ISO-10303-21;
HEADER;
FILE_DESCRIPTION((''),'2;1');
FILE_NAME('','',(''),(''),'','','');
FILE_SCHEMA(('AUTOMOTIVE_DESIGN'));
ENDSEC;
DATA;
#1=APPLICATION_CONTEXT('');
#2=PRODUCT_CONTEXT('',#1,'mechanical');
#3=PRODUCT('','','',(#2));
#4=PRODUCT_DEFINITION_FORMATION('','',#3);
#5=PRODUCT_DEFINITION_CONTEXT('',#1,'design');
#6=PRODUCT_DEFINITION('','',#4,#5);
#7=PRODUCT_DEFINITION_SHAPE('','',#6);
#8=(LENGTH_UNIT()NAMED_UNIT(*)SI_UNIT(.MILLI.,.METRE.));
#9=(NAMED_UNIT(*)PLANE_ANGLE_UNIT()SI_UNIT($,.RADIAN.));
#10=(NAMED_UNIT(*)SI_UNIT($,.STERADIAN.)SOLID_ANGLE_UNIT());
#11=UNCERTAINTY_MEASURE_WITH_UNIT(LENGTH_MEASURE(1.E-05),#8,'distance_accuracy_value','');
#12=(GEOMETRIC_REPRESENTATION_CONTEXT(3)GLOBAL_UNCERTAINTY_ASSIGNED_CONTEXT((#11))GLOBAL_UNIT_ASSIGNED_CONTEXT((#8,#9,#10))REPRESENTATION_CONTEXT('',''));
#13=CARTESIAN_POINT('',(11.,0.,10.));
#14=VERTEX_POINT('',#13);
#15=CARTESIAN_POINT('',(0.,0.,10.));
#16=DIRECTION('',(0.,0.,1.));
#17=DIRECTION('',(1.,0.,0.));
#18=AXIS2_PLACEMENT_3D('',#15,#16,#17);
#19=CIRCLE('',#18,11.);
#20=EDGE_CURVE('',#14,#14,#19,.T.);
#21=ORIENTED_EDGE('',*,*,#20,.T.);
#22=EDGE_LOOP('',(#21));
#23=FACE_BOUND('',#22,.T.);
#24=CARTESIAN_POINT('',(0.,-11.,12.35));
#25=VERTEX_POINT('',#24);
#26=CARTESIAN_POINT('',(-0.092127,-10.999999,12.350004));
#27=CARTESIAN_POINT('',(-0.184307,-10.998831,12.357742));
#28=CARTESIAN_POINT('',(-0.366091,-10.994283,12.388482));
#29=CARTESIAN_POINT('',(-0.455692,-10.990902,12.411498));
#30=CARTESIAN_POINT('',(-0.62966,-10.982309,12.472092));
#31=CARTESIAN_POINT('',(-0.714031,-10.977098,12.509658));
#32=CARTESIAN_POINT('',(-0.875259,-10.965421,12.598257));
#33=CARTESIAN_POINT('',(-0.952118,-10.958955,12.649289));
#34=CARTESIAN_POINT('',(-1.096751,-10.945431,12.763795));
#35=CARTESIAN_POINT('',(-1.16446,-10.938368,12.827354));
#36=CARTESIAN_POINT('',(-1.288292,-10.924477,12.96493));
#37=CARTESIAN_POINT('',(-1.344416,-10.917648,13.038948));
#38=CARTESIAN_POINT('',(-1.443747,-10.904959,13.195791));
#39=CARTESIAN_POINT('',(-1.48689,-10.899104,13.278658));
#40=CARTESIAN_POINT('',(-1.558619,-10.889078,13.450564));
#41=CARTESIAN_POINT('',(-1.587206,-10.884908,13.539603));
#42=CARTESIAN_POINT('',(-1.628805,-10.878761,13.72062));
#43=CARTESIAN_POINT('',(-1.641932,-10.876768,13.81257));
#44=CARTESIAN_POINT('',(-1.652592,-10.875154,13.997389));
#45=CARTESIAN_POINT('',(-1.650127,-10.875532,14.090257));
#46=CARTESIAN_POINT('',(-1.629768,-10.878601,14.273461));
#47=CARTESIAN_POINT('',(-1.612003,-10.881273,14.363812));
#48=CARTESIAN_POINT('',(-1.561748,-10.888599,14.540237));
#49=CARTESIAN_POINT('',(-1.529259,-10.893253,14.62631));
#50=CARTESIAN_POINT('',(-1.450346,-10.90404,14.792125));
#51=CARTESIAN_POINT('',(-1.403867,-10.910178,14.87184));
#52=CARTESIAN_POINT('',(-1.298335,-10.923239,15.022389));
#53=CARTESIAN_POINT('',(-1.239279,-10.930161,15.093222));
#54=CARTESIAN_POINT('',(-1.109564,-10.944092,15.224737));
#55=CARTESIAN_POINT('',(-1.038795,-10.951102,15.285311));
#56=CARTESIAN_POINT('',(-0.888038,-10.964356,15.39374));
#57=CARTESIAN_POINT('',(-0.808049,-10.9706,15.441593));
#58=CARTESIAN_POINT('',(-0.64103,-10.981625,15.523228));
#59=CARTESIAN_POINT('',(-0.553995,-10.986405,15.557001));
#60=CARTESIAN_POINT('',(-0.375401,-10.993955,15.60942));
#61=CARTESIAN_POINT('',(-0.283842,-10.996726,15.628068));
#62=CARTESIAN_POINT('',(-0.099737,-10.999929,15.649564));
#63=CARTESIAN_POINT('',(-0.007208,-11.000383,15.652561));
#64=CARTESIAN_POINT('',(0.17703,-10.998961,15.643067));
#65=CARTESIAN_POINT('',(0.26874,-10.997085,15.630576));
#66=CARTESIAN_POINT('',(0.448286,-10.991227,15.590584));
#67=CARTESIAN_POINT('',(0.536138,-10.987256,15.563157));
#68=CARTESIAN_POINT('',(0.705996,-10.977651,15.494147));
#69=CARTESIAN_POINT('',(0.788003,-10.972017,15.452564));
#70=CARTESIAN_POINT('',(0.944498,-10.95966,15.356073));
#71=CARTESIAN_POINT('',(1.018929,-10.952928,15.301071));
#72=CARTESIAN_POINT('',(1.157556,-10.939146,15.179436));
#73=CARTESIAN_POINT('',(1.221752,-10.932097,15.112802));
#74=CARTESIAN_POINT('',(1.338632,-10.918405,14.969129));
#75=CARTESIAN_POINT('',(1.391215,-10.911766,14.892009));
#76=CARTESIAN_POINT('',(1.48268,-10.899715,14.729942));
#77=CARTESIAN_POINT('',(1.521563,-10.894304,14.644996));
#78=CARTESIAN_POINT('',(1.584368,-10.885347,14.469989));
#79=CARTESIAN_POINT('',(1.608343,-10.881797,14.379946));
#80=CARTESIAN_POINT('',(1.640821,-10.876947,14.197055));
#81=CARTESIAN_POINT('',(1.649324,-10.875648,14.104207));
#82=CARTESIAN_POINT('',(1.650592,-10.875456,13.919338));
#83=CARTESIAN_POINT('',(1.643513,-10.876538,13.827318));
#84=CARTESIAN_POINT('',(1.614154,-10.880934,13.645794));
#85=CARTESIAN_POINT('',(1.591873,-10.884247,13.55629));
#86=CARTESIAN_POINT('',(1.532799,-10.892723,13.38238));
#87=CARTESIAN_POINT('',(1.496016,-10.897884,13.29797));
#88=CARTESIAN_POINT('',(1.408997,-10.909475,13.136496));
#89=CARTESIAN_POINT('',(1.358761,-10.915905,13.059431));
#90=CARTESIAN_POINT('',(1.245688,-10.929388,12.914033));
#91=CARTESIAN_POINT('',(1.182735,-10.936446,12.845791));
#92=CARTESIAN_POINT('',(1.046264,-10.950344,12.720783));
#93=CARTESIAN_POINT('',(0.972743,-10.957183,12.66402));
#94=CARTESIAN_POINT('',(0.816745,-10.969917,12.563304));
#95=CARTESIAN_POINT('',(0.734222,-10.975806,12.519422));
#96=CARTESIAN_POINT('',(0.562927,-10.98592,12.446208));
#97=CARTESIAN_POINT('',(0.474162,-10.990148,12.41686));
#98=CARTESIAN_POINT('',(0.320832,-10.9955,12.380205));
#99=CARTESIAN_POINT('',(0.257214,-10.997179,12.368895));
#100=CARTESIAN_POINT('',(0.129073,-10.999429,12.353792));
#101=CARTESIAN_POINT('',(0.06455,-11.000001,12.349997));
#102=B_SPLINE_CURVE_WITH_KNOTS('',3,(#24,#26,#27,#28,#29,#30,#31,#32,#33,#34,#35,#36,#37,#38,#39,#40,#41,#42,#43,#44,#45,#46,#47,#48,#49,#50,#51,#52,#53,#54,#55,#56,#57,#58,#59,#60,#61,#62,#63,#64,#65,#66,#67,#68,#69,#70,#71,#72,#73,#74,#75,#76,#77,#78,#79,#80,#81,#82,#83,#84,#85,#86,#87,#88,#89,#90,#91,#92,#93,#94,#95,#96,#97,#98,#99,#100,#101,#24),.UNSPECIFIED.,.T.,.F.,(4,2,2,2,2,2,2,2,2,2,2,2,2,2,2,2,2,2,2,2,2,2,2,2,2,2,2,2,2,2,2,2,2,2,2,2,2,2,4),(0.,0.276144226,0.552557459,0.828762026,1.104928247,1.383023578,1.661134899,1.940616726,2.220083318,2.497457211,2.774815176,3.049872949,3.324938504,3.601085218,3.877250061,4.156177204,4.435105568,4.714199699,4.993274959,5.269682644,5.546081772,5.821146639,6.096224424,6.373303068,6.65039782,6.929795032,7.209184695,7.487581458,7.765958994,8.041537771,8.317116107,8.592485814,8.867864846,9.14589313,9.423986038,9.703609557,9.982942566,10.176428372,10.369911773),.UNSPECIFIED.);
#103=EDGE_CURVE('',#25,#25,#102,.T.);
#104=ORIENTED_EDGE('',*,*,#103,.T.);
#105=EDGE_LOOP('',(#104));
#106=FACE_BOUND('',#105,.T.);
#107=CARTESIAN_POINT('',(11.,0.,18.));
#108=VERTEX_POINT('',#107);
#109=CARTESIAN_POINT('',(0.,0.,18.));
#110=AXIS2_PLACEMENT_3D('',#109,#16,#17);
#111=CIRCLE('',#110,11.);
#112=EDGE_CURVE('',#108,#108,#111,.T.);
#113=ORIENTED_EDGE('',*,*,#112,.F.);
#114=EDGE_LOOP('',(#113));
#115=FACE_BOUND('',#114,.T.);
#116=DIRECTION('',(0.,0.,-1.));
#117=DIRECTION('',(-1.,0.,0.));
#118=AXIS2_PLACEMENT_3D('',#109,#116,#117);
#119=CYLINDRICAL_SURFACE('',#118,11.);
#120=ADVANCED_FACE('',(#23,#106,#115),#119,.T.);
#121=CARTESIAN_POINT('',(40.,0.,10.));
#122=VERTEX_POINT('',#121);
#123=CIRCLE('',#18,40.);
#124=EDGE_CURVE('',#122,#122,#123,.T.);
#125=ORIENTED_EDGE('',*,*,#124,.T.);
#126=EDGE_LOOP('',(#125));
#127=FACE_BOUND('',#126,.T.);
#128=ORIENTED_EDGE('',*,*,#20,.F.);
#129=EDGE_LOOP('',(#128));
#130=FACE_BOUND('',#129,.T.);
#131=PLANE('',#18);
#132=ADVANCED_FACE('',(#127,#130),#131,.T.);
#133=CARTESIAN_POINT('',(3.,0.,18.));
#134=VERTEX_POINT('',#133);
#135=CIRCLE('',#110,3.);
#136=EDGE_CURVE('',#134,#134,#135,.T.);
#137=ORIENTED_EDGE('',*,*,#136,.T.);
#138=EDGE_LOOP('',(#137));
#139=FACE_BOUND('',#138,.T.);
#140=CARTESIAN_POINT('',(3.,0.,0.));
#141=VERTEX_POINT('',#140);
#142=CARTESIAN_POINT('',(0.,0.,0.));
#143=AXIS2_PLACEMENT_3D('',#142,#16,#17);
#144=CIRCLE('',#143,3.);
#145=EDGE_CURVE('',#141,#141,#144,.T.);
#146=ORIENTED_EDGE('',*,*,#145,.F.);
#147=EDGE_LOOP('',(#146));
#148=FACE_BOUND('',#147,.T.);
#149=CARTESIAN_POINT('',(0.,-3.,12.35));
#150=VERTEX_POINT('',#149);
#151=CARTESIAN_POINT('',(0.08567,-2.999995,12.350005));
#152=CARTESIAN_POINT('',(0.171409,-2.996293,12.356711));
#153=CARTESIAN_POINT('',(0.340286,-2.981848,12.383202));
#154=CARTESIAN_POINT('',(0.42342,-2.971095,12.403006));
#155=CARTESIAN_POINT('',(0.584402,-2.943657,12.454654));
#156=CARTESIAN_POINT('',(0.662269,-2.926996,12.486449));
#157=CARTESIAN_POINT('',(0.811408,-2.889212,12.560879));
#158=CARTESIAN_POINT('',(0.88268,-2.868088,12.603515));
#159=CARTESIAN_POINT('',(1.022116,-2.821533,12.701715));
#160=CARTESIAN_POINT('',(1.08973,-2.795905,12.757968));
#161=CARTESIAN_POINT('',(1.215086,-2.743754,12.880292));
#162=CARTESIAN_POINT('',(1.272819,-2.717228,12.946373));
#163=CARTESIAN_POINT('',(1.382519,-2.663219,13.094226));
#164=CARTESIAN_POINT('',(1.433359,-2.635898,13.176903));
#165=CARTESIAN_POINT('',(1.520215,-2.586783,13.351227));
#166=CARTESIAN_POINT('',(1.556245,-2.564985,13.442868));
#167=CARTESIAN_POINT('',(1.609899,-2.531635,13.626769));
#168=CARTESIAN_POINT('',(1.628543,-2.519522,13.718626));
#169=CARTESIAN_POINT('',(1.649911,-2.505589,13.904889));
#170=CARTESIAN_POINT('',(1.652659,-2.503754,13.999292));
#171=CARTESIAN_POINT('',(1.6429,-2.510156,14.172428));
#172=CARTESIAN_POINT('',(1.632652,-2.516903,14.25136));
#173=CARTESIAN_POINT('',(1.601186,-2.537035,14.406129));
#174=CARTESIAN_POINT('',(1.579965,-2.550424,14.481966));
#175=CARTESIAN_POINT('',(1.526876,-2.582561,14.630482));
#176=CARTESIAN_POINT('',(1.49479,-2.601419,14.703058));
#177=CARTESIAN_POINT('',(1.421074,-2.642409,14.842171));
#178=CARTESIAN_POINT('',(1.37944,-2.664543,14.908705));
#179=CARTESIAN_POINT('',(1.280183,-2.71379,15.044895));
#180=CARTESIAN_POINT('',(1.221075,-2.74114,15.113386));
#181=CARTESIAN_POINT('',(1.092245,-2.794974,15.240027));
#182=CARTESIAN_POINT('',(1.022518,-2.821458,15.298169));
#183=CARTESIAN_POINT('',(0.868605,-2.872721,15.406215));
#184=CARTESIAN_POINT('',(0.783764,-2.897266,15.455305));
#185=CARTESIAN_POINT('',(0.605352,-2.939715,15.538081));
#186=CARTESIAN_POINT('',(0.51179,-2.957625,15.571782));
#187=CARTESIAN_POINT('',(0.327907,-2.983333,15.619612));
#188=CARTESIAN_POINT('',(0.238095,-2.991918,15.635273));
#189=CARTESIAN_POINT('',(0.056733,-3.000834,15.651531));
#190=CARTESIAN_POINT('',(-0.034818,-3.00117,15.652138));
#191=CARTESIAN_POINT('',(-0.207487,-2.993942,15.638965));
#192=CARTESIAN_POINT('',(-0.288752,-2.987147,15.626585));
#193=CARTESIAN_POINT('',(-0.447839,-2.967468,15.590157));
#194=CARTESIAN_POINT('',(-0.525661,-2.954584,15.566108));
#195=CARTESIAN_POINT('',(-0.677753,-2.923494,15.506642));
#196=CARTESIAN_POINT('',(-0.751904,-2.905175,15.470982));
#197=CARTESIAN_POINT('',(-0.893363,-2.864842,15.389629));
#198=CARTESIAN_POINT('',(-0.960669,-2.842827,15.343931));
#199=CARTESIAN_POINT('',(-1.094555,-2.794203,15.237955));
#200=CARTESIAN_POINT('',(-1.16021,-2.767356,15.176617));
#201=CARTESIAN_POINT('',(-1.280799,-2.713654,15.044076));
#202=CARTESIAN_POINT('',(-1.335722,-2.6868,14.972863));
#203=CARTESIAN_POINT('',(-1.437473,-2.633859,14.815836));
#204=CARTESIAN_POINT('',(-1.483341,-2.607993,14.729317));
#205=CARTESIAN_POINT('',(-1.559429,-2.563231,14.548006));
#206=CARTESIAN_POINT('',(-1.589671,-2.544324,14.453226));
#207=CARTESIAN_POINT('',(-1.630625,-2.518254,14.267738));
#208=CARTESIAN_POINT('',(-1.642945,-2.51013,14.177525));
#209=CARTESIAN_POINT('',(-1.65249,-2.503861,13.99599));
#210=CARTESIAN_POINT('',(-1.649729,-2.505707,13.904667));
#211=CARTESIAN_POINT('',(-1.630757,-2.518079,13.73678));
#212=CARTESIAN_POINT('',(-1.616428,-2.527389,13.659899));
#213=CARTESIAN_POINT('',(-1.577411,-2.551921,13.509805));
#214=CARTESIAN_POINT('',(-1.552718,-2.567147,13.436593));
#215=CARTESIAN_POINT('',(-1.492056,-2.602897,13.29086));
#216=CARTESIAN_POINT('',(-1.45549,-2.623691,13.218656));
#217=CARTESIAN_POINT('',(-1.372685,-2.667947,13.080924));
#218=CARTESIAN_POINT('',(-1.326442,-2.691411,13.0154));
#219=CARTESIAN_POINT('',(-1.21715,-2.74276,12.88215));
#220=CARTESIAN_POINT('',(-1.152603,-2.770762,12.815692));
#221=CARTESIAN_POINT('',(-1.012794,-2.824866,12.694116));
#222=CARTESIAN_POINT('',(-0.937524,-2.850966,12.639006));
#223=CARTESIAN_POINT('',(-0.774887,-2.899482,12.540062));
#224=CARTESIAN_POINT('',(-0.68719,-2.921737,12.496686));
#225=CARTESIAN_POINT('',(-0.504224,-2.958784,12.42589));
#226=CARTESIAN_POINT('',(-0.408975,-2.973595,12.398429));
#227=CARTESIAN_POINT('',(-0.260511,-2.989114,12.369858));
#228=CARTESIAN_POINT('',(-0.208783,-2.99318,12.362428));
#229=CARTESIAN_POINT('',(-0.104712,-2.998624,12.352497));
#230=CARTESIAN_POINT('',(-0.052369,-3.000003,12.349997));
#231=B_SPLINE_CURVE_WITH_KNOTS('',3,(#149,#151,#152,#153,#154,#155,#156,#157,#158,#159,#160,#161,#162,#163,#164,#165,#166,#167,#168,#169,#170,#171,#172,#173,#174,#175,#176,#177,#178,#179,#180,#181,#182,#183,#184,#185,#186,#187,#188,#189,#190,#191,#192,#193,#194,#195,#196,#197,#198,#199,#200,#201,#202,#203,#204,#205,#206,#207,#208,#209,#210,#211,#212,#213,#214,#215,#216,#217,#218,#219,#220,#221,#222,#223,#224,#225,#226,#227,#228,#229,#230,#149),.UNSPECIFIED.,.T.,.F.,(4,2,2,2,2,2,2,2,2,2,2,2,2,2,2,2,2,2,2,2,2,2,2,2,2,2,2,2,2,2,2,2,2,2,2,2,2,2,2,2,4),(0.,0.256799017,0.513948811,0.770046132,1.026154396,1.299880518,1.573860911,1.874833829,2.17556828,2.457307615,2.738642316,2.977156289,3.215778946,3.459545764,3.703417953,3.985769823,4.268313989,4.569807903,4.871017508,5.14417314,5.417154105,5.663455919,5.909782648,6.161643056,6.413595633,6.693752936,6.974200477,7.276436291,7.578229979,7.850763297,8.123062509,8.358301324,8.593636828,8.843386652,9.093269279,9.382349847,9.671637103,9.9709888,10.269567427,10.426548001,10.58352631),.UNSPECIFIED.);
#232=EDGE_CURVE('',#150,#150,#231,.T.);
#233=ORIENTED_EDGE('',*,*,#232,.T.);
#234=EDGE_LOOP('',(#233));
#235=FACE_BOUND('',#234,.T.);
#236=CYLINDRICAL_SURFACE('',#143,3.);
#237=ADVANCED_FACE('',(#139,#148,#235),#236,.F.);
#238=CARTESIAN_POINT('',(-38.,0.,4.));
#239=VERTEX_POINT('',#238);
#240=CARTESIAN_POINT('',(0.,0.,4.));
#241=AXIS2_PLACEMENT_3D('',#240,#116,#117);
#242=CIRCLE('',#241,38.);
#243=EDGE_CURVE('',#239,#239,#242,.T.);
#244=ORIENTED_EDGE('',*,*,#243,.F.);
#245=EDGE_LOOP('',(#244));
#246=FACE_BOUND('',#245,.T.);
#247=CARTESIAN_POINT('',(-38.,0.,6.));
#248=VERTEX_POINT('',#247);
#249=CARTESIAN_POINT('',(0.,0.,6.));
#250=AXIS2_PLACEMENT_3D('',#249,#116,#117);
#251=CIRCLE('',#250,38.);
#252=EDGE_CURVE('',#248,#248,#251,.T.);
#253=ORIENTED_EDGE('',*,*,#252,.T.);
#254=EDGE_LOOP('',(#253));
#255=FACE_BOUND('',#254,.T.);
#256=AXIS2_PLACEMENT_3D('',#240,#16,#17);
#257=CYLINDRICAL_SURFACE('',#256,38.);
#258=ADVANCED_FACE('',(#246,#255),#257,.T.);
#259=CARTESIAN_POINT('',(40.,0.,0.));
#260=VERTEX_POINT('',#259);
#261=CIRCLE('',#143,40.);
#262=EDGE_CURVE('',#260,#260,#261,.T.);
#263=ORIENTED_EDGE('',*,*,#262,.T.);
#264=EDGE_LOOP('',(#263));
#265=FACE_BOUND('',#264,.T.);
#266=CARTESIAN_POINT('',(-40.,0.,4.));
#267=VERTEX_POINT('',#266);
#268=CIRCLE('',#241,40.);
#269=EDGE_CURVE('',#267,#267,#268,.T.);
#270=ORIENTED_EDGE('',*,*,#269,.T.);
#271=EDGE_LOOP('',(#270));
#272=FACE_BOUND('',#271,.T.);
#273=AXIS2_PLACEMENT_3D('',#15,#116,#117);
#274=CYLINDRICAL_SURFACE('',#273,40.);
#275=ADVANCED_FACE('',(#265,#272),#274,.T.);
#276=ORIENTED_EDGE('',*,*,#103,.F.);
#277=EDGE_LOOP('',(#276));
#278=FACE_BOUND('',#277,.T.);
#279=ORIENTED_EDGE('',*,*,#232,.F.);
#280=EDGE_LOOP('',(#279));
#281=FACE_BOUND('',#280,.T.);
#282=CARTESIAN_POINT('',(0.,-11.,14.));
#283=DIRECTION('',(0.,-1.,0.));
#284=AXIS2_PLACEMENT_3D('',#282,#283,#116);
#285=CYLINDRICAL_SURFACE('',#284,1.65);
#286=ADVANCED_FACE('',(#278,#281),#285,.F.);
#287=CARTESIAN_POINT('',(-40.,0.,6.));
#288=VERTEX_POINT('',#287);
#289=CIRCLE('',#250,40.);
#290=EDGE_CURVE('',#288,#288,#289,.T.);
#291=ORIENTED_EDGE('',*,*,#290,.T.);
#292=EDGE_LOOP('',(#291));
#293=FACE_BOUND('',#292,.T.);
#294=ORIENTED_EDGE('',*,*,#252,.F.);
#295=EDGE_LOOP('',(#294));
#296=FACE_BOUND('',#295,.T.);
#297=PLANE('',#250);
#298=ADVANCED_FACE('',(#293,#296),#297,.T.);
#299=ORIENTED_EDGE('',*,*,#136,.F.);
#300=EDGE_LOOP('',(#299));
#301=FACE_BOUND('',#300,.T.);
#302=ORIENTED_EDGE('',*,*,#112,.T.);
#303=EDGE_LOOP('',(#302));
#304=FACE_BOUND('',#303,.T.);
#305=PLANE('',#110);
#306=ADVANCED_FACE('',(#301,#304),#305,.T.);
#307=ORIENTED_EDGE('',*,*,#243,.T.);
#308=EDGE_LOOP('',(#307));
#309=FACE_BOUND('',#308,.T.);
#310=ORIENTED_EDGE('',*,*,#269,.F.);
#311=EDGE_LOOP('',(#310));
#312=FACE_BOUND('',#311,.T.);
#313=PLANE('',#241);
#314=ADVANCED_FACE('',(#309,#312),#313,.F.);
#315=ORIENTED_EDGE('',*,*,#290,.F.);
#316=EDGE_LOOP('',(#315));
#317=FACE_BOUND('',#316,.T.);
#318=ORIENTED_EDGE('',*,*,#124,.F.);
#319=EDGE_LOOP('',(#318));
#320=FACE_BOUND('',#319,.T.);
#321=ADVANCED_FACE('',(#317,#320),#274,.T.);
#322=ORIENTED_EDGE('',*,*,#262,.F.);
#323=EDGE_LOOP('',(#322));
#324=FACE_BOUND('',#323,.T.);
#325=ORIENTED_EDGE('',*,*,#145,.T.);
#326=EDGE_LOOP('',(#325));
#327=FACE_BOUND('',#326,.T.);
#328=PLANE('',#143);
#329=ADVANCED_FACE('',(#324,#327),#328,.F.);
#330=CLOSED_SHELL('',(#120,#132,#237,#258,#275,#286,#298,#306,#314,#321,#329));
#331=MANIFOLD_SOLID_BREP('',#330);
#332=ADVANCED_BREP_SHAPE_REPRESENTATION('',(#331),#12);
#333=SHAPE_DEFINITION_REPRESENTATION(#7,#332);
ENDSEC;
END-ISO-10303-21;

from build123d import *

# Parameters (mm, degrees)
SKETCH_1_R               = 40
EXTRUDE_1_DEPTH          = 10
SKETCH_2_R               = 11
EXTRUDE_2_DEPTH          = 8
SKETCH_3_R               = 3
CUT_EXTRUDE_1_DEPTH      = 60.363288319
M4X0_7_1_REACH           = 68.31
M4X0_7_1_BORE_R          = 1.65
CUT_EXTRUDE_2_DEPTH      = 1
CUT_EXTRUDE_2_DEPTH_BACK = 1
SKETCH_5_OUTSIDE_W       = 104.912
SKETCH_5_OUTSIDE_H       = 104.912
SKETCH_5_OUTSIDE_R       = 38


with BuildPart() as part:
    # ｽｹｯﾁ1 → ﾎﾞｽ - 押し出し1 (new body)
    with BuildSketch(Plane.XY):
        Circle(SKETCH_1_R)
    extrude(amount=EXTRUDE_1_DEPTH)

    # ｽｹｯﾁ2 → ﾎﾞｽ - 押し出し2 (add)
    with BuildSketch(Plane.XY.offset(10)):
        Circle(SKETCH_2_R)
    extrude(amount=EXTRUDE_2_DEPTH)

    # ｽｹｯﾁ3 → ｶｯﾄ - 押し出し1 (cut, through all)
    with BuildSketch(Plane.XY.offset(18)):
        Circle(SKETCH_3_R)
    extrude(amount=-CUT_EXTRUDE_1_DEPTH, mode=Mode.SUBTRACT)

    # M4x0.7 ねじ穴1 bore (on position points) → M4x0.7 ねじ穴1 (cut, up to next)
    with BuildSketch(Plane(origin=(0, -11, 14), x_dir=(-1, 0, 0), z_dir=(0, -1, 0)), mode=Mode.PRIVATE) as m4x0_7_1_sk1:
        Circle(M4X0_7_1_BORE_R)
    m4x0_7_1_tool1 = extrude(m4x0_7_1_sk1.sketch, amount=-M4X0_7_1_REACH, mode=Mode.PRIVATE) & part.part
    add(m4x0_7_1_tool1.solids().sort_by_distance((0, -11, 14))[0], mode=Mode.SUBTRACT)

    # ｽｹｯﾁ5 outside → ｶｯﾄ - 押し出し2 (cut, two sides: drawn at the far end of the back side and taken through both)
    with BuildSketch(Plane(origin=(0, 0, 5), x_dir=(-1, 0, 0), z_dir=(0, 0, -1)).offset(-CUT_EXTRUDE_2_DEPTH_BACK)):
        Rectangle(SKETCH_5_OUTSIDE_W, SKETCH_5_OUTSIDE_H)
        Circle(SKETCH_5_OUTSIDE_R, mode=Mode.SUBTRACT)
    extrude(amount=CUT_EXTRUDE_2_DEPTH + CUT_EXTRUDE_2_DEPTH_BACK, mode=Mode.SUBTRACT)


solid = part.part
